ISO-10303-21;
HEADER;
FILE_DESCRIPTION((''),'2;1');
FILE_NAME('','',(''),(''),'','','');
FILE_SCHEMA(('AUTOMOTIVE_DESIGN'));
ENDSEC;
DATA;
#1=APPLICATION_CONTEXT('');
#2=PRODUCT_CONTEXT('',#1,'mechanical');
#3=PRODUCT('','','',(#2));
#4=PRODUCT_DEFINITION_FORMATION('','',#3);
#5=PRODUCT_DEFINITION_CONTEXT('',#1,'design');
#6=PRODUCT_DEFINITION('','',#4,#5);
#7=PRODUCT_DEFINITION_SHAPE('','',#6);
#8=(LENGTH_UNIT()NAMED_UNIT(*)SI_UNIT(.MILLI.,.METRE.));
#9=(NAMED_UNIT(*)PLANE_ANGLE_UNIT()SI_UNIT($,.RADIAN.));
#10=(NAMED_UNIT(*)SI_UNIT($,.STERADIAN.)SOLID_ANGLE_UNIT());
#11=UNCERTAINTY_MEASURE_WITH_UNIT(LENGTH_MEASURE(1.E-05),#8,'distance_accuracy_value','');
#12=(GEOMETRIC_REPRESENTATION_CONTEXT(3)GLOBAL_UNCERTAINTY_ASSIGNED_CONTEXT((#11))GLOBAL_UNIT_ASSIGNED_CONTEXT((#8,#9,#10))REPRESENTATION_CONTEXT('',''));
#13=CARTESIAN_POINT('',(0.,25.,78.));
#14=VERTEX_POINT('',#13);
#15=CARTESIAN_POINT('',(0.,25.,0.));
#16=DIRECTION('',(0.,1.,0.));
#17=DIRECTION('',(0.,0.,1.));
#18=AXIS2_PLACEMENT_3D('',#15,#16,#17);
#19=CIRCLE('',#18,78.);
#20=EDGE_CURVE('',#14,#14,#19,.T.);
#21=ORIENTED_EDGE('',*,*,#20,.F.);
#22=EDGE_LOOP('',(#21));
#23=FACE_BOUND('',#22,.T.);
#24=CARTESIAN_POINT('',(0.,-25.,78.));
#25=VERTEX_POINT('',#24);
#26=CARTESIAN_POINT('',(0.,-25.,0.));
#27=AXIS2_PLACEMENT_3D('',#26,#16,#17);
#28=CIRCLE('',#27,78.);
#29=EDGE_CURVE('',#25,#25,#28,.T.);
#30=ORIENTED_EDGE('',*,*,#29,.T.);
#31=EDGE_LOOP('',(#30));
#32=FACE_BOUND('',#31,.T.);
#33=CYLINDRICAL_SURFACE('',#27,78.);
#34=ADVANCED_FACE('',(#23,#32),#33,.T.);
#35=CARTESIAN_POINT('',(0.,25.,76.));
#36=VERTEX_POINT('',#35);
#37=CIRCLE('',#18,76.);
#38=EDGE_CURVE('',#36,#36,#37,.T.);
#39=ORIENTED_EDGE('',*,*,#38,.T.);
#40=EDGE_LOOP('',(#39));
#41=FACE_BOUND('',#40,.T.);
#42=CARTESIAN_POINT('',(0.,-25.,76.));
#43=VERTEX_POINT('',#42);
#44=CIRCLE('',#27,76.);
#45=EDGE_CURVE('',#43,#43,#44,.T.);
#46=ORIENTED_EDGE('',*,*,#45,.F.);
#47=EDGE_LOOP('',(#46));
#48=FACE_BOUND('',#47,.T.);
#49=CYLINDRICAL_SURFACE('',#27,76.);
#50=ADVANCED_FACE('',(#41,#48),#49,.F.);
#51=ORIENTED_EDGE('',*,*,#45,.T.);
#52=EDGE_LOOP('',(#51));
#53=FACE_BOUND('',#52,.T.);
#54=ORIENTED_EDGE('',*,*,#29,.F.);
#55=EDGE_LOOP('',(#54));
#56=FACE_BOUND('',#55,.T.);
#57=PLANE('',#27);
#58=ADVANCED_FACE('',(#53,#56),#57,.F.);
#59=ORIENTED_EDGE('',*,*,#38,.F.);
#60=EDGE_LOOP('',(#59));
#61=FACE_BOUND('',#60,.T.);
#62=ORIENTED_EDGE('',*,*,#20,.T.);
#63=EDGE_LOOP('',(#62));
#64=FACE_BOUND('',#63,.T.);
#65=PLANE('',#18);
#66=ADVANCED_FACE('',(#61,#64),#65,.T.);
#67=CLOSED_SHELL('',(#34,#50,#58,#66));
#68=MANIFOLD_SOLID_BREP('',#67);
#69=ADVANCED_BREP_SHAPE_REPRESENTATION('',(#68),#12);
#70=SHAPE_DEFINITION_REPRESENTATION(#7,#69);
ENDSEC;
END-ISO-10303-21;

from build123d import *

# Parameters (mm, degrees)
BOSS_EXTRUDE1_DEPTH      = 25
BOSS_EXTRUDE1_DEPTH_BACK = 25
SKETCH1_R                = 78
SKETCH1_R_2              = 76


with BuildPart() as part:
    # Sketch1 → Boss-Extrude1 (new, two sides: drawn at the far end of the back side and taken through both)
    with BuildSketch(Plane(origin=(0, 0, 0), x_dir=(1, 0, 0), z_dir=(0, 1, 0)).offset(-BOSS_EXTRUDE1_DEPTH_BACK)):
        with Locations(Location((0, 0, 0), (0, 0, 270))):
            Circle(SKETCH1_R)
        with Locations(Location((0, 0, 0), (0, 0, 270))):
            Circle(SKETCH1_R_2, mode=Mode.SUBTRACT)
    extrude(amount=BOSS_EXTRUDE1_DEPTH + BOSS_EXTRUDE1_DEPTH_BACK)


solid = part.part
